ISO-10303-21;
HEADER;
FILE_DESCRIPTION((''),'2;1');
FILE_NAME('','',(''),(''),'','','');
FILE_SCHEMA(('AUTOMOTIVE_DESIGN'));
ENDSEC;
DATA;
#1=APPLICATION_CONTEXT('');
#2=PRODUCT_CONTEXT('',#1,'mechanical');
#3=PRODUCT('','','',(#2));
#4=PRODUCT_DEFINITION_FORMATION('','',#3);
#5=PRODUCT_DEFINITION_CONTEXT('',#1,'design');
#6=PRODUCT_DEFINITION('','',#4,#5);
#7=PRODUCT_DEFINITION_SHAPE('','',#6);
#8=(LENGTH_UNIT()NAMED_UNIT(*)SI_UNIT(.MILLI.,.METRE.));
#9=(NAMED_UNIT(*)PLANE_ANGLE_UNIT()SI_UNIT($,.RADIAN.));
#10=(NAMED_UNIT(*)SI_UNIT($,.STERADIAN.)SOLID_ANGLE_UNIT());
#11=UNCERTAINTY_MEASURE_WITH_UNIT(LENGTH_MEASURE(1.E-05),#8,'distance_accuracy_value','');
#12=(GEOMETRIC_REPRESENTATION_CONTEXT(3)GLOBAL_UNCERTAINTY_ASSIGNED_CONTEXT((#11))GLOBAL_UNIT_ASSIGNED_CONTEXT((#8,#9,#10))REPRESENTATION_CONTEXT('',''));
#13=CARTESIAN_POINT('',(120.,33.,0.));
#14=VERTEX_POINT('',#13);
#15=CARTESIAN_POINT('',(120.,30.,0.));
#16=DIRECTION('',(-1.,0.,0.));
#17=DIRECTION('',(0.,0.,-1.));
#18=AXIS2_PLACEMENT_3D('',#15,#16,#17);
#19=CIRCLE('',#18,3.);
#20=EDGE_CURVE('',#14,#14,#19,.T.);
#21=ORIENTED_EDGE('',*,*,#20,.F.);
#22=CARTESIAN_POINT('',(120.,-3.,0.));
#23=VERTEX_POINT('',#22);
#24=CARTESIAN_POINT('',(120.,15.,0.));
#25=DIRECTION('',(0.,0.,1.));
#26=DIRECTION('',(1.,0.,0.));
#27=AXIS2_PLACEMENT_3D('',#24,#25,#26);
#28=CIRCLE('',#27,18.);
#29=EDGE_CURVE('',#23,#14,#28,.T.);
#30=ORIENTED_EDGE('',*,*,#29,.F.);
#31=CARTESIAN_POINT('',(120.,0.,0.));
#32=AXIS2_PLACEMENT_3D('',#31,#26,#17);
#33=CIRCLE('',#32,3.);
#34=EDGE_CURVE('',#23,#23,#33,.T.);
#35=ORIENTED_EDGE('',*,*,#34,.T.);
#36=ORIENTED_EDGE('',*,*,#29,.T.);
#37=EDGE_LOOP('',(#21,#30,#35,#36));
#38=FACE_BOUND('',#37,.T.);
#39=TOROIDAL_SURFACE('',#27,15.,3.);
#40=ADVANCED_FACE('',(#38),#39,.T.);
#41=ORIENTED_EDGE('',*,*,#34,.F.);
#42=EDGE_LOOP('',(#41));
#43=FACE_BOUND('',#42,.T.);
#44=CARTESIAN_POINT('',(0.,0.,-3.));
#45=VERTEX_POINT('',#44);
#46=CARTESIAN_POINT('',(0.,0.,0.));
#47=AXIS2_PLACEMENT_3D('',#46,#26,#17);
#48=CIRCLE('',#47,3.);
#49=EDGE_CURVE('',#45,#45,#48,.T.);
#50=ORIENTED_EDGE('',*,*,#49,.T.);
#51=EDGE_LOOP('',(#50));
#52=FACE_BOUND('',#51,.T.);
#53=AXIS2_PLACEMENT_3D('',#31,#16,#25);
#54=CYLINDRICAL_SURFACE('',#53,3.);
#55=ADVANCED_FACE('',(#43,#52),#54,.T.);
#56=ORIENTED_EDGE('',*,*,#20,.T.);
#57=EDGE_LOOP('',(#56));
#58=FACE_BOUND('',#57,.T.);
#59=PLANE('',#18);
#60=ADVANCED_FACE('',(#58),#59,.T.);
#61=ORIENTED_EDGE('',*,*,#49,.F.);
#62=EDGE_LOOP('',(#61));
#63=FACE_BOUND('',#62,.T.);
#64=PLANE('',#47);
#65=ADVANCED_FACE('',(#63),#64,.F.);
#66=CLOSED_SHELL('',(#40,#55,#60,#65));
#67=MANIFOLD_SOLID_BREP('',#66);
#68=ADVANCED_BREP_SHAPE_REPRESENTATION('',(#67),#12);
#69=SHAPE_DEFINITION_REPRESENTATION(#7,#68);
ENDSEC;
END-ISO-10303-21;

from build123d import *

# Parameters (mm, degrees)
SKETCH_3_R = 3


with BuildPart() as part:
    # 扫描1: sweep along a path in 草图1
    with BuildLine(Plane.XY) as sweep_1_path:
        Line((0, 0), (120, 0))
        ThreePointArc((120, 0), (135, 15), (120, 30))
    # 草图3 → 扫描1 (sweep)
    with BuildSketch(Plane(origin=(0, 0, 0), x_dir=(0, 0, -1), z_dir=(1, 0, 0))):
        Circle(SKETCH_3_R)
    sweep(path=sweep_1_path.line)


solid = part.part
